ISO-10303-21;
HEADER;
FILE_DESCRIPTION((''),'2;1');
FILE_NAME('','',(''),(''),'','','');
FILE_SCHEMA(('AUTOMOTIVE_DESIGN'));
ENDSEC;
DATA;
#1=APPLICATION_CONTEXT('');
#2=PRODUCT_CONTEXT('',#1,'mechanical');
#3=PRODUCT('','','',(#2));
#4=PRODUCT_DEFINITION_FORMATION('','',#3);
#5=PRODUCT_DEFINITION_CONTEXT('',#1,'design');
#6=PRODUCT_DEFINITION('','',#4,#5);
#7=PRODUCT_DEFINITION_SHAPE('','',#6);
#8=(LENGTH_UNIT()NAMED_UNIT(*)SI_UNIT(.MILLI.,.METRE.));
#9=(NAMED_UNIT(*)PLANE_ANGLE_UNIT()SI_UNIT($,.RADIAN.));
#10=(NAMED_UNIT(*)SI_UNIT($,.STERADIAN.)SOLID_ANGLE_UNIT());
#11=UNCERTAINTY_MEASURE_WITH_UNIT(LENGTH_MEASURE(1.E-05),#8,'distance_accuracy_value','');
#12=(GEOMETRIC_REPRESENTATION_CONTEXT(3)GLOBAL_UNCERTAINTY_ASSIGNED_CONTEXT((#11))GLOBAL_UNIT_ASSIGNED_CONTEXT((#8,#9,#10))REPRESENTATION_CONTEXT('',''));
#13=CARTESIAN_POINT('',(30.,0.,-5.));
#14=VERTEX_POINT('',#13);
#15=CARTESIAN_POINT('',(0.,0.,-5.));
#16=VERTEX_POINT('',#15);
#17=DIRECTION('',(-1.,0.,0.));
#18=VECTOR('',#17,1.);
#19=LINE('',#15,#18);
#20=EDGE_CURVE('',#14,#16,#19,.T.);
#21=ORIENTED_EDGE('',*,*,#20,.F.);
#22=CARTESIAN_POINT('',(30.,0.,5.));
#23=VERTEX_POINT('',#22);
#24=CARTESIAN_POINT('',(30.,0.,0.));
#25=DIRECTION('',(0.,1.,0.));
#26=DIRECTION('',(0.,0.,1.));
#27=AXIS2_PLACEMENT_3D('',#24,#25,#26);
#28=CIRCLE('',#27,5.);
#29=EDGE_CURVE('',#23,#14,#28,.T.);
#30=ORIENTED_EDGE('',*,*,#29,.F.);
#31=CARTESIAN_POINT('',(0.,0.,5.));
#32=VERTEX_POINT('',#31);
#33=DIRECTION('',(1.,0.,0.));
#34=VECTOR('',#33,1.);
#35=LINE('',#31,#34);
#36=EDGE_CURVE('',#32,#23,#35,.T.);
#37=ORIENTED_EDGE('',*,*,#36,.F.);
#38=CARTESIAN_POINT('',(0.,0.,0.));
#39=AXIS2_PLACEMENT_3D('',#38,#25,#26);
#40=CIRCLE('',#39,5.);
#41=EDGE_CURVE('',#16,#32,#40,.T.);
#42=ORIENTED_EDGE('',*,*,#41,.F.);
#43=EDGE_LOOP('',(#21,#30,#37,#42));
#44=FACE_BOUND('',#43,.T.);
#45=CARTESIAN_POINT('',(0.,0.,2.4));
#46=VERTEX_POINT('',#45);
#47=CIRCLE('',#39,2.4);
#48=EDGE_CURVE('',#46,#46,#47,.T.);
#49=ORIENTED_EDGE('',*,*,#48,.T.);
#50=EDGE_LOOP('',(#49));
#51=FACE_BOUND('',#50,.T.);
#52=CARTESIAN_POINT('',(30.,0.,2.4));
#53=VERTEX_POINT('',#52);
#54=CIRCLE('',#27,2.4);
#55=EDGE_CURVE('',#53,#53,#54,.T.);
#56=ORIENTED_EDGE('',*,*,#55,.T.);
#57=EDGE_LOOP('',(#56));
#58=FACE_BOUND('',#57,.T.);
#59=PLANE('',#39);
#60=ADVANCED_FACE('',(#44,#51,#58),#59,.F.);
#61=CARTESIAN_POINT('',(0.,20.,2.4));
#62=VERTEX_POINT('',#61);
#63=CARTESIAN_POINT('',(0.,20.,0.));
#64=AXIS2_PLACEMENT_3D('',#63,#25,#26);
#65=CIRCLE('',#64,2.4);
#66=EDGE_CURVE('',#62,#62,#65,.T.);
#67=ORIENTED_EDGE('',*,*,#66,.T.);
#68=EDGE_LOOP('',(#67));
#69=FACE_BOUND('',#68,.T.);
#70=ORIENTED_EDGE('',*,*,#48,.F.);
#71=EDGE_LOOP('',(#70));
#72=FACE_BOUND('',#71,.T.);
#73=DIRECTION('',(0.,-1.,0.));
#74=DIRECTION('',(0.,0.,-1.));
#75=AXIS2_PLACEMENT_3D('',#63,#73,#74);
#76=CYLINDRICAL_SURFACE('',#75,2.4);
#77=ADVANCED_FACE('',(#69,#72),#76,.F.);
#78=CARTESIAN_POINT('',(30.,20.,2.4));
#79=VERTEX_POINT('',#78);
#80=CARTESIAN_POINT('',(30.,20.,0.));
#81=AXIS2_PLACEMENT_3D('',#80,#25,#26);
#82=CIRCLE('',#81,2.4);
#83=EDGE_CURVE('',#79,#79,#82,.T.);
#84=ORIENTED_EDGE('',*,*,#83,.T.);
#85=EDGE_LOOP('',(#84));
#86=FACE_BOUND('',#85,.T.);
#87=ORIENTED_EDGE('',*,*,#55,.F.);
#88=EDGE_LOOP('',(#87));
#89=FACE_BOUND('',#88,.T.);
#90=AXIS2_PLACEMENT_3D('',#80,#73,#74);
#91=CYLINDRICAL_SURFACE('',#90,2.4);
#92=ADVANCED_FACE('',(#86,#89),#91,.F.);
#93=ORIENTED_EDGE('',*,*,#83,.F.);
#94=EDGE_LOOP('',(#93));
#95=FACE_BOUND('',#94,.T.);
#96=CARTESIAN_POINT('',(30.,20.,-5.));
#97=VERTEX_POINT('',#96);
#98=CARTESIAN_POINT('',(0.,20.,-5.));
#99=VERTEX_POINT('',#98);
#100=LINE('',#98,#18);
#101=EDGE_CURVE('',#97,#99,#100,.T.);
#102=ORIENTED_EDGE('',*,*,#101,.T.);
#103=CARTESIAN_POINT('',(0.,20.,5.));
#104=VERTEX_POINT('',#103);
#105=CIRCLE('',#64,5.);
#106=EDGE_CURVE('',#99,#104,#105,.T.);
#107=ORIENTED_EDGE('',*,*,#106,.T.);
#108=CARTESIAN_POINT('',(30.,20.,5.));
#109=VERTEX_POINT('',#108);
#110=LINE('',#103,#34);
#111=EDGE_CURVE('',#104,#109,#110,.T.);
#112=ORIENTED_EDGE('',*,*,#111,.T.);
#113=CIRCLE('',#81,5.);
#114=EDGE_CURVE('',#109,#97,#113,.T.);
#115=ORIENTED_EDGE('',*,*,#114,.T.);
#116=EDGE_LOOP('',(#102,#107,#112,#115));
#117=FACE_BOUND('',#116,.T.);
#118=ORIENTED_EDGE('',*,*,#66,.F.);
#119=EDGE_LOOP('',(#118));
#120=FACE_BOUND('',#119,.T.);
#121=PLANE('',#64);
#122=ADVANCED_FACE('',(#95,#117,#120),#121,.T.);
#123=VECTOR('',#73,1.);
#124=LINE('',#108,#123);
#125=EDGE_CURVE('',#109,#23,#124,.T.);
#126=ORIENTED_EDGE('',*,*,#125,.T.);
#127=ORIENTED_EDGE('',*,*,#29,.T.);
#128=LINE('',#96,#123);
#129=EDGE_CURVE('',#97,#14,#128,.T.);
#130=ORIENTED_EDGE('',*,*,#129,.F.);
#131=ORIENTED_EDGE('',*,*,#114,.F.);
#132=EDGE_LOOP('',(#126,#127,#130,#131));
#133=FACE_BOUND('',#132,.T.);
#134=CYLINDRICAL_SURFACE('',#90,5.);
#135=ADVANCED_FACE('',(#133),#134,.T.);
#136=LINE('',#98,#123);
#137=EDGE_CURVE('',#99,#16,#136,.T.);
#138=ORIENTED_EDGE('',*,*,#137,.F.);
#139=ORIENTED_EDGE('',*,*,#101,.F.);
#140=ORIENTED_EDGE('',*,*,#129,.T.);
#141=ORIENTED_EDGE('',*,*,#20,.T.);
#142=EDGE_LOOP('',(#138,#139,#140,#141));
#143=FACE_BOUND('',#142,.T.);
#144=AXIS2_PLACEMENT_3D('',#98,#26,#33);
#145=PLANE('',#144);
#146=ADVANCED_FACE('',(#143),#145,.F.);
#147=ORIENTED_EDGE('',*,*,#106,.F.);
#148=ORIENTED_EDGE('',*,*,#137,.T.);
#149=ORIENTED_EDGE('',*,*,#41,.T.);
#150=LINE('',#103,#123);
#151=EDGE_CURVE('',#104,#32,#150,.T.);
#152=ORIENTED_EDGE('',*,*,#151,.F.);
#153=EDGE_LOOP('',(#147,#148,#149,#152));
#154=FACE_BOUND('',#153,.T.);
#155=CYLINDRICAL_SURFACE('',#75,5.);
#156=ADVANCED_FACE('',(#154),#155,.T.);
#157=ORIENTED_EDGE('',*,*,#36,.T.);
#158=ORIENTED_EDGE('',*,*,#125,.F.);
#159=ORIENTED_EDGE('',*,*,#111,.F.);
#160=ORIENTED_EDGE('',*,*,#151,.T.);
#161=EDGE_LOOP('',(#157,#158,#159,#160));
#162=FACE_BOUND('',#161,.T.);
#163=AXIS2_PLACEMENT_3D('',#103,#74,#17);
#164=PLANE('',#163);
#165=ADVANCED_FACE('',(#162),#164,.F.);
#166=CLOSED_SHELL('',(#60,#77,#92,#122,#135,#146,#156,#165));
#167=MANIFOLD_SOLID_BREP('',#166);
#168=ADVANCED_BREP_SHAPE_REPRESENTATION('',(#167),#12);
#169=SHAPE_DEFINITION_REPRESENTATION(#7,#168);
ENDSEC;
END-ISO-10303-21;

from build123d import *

# Parameters (mm, degrees)
SKETCH_1_R      = 2.4
EXTRUDE_1_DEPTH = 20


with BuildPart() as part:
    # 草图1 → 凸台-拉伸1 (new body)
    with BuildSketch(Plane(origin=(0, 0, 0), x_dir=(1, 0, 0), z_dir=(0, 1, 0))):
        with BuildLine():
            Line((0, 5), (30, 5))
            ThreePointArc((30, 5), (35, 0), (30, -5))
            Line((30, -5), (0, -5))
            ThreePointArc((0, -5), (-5, 0), (0, 5))
        make_face()
        with Locations(Location((0, 0, 0), (0, 0, 270))):
            Circle(SKETCH_1_R, mode=Mode.SUBTRACT)
        with Locations(Location((30, 0, 0), (0, 0, 270))):
            Circle(SKETCH_1_R, mode=Mode.SUBTRACT)
    extrude(amount=EXTRUDE_1_DEPTH)


solid = part.part
